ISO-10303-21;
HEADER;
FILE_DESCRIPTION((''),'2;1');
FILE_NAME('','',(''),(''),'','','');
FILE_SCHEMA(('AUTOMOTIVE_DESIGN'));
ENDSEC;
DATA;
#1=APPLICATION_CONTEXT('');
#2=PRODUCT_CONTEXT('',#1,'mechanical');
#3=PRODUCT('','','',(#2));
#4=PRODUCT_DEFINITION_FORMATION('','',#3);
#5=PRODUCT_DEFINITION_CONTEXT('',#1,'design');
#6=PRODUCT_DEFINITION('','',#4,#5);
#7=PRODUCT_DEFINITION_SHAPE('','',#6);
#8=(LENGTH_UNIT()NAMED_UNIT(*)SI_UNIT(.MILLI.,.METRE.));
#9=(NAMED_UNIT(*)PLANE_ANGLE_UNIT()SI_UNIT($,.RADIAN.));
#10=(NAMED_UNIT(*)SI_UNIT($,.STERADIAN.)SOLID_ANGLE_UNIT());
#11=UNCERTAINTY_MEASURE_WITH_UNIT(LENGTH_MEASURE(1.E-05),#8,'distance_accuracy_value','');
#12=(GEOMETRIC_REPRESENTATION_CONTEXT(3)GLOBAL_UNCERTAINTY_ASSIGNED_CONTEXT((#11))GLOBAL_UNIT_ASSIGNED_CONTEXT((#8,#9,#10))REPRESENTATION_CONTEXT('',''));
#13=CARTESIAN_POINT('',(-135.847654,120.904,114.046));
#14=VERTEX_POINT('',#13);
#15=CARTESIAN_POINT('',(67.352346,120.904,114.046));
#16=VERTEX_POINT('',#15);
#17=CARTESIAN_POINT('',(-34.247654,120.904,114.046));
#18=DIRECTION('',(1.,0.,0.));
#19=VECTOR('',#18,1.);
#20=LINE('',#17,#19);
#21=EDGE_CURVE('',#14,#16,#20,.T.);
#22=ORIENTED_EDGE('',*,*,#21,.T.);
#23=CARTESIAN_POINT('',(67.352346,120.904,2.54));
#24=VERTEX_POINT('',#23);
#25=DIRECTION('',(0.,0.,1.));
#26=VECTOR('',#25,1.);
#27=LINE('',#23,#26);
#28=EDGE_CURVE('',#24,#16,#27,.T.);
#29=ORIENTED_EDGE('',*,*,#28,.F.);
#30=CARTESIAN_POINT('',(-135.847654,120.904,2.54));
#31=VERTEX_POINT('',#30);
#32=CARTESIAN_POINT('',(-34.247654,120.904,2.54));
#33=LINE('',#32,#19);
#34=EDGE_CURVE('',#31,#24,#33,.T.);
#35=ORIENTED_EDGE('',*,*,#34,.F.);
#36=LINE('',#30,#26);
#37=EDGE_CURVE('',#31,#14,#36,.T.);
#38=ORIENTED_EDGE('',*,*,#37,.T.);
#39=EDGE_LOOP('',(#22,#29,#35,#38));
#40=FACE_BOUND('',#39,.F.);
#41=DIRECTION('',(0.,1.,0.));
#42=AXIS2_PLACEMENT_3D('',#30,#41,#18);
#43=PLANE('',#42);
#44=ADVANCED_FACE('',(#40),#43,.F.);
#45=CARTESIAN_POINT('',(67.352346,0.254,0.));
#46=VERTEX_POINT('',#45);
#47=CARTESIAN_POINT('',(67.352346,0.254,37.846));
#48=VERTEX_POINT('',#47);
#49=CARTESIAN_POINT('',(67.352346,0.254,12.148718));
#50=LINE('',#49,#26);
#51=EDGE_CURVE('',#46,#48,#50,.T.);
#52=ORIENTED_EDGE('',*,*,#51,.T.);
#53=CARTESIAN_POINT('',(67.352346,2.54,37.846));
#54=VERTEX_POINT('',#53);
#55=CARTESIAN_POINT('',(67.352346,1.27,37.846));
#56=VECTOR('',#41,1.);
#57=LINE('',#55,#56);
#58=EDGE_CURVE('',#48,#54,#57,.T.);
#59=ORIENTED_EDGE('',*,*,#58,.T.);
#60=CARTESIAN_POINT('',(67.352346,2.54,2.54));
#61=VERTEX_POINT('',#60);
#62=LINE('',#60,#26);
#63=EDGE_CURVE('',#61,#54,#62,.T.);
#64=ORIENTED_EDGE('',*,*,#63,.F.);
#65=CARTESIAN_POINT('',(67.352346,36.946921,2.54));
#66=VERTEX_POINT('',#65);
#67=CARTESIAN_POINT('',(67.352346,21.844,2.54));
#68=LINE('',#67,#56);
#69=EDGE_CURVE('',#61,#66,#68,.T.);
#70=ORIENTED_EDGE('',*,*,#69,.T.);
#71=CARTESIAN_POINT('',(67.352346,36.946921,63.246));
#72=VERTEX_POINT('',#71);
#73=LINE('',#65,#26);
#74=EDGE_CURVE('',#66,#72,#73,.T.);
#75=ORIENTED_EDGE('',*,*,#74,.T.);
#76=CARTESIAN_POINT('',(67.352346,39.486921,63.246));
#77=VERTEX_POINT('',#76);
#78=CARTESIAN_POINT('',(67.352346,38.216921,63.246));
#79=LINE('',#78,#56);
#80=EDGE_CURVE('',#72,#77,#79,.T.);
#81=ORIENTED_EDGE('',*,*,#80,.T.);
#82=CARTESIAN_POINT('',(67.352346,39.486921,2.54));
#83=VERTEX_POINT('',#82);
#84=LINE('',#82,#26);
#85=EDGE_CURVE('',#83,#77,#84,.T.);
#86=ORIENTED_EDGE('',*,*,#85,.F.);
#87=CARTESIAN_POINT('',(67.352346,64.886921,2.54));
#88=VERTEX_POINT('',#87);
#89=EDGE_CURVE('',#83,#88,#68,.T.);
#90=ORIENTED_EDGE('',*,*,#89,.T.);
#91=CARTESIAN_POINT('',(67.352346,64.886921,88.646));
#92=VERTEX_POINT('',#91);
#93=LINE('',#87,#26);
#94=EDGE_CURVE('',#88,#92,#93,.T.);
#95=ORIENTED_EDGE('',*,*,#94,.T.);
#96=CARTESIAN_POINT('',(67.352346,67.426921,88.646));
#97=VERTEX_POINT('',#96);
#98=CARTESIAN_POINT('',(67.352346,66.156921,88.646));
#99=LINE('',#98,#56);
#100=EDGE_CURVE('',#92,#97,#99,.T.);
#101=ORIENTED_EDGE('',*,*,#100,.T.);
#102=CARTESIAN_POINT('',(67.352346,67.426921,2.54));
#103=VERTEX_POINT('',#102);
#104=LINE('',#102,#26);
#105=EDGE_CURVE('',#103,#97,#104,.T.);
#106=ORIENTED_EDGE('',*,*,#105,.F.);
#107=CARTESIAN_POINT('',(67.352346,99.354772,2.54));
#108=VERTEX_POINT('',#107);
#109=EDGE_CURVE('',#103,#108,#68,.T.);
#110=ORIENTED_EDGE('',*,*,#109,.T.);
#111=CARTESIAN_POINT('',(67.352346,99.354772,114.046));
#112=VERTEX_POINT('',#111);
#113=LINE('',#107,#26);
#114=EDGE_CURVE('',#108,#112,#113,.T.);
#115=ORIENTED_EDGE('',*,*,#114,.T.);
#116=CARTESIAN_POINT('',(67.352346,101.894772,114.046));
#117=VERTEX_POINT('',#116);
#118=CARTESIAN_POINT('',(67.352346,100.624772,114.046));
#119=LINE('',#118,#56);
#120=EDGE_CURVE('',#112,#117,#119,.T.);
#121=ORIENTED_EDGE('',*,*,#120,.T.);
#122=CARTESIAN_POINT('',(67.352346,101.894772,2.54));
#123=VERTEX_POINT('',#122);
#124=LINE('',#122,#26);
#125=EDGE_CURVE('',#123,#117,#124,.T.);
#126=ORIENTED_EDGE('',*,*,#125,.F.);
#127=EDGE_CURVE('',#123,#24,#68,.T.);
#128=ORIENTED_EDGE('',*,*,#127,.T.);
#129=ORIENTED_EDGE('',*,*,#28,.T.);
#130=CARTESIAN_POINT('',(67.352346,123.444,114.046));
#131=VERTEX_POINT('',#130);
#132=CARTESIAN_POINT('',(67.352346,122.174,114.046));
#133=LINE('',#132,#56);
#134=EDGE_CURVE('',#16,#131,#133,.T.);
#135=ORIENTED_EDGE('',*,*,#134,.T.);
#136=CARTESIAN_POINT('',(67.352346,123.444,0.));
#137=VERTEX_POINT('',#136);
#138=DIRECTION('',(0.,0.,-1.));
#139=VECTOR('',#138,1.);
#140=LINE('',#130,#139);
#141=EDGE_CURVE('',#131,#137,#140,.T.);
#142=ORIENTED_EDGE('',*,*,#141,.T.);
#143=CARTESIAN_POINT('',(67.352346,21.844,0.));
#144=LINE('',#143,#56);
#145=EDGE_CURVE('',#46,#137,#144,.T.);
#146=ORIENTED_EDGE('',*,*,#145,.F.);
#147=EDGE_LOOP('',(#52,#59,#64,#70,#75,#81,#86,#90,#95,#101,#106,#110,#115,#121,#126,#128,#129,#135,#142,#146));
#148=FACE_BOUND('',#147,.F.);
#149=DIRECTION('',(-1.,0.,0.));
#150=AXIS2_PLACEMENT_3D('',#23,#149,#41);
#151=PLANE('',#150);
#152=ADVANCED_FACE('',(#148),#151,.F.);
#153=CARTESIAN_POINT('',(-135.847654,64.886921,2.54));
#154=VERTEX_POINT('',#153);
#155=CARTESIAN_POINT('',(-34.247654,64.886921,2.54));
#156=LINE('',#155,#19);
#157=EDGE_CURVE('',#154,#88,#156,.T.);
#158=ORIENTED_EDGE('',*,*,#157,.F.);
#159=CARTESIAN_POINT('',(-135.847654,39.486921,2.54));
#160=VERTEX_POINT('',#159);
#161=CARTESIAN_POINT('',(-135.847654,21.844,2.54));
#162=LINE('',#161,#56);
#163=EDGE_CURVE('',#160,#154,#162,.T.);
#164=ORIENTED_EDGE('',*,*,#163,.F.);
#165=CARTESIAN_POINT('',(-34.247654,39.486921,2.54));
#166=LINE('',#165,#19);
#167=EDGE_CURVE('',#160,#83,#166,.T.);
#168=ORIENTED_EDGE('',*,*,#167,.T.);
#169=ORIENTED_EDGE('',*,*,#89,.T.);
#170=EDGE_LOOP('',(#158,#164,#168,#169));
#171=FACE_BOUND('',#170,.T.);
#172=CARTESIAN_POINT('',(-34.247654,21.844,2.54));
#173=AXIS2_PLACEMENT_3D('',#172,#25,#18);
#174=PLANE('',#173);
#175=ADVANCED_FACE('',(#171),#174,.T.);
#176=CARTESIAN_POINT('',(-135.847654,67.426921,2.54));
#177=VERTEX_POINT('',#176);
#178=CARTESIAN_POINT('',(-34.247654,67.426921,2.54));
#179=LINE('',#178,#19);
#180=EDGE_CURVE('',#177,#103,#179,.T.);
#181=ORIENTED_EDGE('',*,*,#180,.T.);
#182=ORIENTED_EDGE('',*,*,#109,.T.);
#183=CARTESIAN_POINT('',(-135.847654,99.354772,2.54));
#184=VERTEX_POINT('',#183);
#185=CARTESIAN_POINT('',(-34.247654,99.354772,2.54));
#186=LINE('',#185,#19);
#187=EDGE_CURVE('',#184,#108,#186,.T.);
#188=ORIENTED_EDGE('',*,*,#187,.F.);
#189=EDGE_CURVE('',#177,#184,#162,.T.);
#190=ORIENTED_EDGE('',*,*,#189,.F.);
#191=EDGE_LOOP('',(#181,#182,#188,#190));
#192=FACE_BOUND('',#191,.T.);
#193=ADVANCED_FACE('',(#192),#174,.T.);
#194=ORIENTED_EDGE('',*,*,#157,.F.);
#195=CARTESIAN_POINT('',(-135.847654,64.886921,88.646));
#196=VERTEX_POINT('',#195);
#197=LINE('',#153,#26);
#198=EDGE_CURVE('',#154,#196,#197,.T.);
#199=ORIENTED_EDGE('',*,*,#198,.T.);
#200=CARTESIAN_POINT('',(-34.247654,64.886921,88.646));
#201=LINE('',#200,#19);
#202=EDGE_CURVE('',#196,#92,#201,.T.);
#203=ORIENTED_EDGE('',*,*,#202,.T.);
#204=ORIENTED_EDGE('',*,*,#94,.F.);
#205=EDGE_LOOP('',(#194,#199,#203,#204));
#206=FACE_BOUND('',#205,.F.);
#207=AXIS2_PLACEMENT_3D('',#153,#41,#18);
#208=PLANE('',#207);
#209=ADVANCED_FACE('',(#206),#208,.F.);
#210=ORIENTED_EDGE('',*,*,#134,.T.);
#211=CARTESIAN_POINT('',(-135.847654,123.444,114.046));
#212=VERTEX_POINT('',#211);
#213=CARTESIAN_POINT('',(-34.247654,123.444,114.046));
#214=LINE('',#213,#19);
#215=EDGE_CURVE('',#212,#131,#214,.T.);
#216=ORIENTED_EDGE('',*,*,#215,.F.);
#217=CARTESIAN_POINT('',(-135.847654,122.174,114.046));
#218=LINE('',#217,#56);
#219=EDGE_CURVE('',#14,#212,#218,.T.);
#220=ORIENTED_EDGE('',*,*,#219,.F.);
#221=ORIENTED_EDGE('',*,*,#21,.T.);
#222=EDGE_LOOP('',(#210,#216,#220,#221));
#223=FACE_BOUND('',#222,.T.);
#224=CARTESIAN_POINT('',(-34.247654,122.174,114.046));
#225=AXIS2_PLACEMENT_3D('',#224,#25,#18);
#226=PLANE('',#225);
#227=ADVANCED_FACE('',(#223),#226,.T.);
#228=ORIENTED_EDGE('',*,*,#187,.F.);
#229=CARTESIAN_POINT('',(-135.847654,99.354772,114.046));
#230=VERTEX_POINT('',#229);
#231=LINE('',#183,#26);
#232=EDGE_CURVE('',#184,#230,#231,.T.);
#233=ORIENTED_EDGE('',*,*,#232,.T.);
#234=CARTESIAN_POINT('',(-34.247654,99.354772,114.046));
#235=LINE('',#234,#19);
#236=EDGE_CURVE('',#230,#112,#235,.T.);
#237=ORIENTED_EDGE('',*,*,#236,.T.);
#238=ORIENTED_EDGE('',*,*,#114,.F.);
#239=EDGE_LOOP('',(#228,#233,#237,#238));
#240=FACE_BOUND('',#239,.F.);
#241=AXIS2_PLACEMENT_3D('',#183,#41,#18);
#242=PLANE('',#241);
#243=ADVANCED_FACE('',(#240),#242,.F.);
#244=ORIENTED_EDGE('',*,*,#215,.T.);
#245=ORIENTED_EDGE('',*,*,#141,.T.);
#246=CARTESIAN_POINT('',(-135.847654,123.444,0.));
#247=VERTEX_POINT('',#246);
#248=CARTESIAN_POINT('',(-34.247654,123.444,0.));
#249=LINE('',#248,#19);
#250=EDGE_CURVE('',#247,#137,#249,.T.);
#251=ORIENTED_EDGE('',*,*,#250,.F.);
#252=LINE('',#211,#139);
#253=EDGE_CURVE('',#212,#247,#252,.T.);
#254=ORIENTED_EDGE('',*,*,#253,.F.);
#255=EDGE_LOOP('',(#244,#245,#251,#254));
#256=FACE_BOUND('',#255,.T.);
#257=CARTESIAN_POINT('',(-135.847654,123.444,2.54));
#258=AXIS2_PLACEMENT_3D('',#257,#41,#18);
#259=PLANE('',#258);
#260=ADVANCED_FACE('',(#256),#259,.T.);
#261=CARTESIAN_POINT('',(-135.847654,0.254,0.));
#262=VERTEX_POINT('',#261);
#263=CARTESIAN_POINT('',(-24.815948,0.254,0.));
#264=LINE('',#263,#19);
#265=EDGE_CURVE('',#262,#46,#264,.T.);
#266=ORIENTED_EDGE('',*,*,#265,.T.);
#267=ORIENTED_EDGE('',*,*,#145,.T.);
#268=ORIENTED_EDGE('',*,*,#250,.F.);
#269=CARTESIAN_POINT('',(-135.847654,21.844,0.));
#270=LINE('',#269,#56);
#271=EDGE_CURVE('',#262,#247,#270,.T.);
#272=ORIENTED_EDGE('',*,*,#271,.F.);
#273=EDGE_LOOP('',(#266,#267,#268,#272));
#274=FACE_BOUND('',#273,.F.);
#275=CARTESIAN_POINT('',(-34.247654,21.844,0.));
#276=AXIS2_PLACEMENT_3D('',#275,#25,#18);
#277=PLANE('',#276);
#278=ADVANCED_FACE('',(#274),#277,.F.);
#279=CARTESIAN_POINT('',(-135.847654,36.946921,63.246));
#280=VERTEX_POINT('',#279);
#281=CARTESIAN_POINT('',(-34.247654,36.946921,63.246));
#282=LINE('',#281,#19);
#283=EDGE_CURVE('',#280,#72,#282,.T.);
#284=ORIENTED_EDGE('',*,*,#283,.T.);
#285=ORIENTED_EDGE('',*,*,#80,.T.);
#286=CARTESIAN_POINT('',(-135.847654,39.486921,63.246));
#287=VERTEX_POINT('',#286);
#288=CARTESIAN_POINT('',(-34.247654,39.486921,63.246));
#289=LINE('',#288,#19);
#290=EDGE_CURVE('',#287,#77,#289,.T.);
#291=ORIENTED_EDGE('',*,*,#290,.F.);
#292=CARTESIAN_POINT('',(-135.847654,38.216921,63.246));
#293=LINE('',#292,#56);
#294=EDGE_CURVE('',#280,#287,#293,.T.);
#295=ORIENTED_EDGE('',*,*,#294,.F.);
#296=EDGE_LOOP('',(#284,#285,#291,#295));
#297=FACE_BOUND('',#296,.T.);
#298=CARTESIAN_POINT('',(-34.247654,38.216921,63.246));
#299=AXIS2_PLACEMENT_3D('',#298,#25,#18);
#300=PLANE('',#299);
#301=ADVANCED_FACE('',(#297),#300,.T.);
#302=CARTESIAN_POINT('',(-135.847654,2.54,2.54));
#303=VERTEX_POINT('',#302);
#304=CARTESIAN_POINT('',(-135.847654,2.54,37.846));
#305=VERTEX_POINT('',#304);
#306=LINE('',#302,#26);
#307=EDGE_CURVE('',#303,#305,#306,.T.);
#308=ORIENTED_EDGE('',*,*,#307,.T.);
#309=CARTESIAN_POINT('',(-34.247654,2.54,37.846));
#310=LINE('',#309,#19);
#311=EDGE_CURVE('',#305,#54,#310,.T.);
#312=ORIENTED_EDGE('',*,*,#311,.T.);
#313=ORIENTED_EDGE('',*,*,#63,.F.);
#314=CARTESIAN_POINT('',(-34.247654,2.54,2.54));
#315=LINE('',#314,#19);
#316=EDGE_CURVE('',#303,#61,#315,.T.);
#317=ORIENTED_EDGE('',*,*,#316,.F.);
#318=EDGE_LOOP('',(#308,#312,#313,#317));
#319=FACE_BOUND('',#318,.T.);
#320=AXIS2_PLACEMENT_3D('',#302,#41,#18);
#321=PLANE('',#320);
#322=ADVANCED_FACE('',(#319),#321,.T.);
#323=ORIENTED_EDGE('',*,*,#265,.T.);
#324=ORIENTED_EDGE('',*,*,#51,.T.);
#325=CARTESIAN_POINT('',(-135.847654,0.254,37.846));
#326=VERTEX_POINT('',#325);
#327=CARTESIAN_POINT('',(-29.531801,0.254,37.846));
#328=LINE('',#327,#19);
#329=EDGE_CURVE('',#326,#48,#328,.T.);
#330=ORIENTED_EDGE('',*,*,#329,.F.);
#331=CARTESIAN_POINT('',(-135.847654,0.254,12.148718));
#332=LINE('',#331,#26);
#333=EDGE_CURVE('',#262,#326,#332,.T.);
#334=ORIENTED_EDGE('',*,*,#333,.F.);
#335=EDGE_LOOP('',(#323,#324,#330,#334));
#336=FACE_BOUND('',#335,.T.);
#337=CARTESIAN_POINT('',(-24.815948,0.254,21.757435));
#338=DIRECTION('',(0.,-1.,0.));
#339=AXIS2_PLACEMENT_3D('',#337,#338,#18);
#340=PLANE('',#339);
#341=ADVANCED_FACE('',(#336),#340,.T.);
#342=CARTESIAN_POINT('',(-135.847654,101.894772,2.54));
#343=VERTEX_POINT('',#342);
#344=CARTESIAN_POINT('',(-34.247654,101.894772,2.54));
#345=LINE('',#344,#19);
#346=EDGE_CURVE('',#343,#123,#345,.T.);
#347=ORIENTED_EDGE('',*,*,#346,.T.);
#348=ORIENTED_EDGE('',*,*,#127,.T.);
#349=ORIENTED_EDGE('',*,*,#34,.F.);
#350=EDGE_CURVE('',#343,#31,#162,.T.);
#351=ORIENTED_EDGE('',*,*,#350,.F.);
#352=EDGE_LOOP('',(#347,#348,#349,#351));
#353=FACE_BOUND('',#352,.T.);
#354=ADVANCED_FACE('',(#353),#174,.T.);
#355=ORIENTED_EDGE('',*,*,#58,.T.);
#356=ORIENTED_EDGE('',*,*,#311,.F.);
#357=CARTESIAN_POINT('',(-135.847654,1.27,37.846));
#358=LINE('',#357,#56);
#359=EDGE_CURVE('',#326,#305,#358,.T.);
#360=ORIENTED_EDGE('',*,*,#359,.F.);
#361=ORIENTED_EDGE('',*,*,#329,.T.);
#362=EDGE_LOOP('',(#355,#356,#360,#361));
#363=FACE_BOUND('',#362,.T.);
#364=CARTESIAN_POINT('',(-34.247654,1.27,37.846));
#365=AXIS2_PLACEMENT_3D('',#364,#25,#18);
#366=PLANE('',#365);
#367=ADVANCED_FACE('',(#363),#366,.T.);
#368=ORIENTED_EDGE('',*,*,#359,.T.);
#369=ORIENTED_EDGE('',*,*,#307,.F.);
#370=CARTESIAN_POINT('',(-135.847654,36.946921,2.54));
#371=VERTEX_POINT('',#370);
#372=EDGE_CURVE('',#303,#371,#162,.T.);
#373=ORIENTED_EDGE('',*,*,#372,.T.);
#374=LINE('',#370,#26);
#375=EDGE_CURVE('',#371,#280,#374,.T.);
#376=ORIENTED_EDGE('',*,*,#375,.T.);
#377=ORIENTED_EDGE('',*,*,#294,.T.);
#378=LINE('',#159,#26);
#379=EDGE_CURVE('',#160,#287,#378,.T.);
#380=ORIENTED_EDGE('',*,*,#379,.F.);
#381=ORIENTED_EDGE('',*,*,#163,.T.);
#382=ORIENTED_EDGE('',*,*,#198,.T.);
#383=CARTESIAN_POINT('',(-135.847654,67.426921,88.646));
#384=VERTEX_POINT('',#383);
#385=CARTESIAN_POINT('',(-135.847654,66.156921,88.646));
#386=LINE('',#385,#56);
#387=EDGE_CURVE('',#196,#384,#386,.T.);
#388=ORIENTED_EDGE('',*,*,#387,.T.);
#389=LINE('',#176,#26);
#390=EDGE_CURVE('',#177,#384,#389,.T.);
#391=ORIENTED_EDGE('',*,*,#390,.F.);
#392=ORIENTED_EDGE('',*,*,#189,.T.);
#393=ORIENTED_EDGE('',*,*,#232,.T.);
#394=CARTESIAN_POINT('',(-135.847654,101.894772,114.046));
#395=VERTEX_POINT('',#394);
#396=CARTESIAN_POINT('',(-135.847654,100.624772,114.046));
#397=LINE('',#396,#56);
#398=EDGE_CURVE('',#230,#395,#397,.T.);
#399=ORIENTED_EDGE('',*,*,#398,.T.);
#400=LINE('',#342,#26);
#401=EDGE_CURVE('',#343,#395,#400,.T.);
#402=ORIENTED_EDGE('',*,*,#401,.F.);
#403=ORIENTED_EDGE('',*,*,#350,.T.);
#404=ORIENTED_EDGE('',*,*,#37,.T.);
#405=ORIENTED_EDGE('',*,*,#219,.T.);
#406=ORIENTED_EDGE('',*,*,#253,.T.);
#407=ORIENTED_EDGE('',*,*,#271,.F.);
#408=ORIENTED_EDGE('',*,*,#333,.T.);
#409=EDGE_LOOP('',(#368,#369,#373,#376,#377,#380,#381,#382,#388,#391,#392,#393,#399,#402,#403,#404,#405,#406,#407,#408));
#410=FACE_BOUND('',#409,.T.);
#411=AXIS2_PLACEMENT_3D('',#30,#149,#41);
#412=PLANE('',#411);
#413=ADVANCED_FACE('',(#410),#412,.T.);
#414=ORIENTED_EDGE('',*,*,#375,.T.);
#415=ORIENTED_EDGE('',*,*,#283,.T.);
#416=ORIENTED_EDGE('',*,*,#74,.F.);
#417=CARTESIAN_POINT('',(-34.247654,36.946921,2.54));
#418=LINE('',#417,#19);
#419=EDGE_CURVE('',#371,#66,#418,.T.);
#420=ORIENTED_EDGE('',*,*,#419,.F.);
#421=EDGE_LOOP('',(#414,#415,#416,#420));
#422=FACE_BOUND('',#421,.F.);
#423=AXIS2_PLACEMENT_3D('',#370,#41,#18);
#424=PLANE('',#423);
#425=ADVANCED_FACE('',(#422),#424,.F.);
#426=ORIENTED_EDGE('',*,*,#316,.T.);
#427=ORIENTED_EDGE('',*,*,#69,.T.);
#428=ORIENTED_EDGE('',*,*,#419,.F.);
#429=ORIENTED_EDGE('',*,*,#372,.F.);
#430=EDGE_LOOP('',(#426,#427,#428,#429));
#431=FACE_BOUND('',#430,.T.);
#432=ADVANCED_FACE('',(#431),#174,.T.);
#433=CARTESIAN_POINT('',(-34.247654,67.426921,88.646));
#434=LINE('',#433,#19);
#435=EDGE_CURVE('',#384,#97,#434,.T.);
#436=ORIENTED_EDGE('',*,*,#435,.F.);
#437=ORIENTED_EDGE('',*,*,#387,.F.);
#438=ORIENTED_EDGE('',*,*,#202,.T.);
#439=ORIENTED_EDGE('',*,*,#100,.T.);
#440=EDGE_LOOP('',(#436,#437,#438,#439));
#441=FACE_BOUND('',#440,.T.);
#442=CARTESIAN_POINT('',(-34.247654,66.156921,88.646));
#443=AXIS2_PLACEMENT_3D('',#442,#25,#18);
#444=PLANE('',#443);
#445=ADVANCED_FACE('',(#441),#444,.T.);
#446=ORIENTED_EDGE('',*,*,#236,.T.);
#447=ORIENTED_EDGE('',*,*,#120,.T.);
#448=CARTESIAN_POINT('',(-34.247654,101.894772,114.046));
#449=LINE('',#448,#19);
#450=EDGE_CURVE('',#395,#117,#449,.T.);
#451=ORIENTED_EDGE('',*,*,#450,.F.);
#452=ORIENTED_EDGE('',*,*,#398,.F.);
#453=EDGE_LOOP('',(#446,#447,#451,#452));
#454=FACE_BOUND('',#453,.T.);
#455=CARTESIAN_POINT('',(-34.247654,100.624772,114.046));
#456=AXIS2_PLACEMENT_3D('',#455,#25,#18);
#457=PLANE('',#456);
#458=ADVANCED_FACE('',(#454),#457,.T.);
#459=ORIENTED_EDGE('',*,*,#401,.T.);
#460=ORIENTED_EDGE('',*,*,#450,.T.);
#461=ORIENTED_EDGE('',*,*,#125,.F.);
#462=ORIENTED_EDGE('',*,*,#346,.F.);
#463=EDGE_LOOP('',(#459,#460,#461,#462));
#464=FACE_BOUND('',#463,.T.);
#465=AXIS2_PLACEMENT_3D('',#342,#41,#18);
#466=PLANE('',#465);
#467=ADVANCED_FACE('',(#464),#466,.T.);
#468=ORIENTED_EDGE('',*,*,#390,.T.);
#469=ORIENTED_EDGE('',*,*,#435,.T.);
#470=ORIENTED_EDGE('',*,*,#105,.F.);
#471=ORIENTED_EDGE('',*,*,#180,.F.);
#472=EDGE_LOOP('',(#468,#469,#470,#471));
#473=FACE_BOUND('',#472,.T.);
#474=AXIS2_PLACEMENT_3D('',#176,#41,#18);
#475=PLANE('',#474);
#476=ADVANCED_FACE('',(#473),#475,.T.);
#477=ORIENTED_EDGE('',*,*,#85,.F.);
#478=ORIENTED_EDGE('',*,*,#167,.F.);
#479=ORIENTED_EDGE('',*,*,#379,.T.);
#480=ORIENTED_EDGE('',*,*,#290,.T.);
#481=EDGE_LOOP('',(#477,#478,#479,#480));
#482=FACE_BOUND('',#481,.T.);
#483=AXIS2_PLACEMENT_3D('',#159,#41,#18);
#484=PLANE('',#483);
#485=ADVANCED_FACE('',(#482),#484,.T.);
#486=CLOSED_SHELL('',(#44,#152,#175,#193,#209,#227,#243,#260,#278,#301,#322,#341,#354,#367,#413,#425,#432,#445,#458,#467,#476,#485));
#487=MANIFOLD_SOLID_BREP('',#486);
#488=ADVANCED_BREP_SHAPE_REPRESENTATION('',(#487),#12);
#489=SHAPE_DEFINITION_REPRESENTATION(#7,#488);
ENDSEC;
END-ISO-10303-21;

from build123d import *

# Parameters (mm, degrees)
SKETCH_W     = 203.2
SKETCH_H     = 203.2
PAD_DEPTH    = 2.54
SKETCH001_W  = 203.2
SKETCH001_H  = 2.54
PAD001_DEPTH = 111.506
SKETCH002_W  = 203.2
SKETCH002_H  = 2.54
PAD002_DEPTH = 86.106
SKETCH003_W  = 203.2
SKETCH003_H  = 2.54
PAD003_DEPTH = 60.706
SKETCH004_W  = 203.2
SKETCH004_H  = 2.54
PAD004_DEPTH = 35.306
SKETCH007_W  = 227.037744
SKETCH007_H  = 43.51487
POCKET_DEPTH = 80.01


with BuildPart() as part:
    # Sketch (on XY_Plane of Origin) → Pad (new body)
    with BuildSketch(Plane.XY):
        with Locations((-34.247654, 21.844)):
            Rectangle(SKETCH_W, SKETCH_H)
    extrude(amount=PAD_DEPTH)

    # Sketch001 (on Face6 of Pad) → Pad001 (join)
    with BuildSketch(Plane.XY.offset(2.54)):
        with Locations((-34.247654, 122.174)):
            Rectangle(SKETCH001_W, SKETCH001_H)
        with Locations((-34.247654, 100.624772)):
            Rectangle(SKETCH001_W, SKETCH001_H)
    extrude(amount=PAD001_DEPTH)

    # Sketch002 (on Face6 of Pad001) → Pad002 (join)
    with BuildSketch(Plane.XY.offset(2.54)):
        with Locations((-34.247654, 66.156921)):
            Rectangle(SKETCH002_W, SKETCH002_H)
    extrude(amount=PAD002_DEPTH)

    # Sketch003 (on Face11 of Pad002) → Pad003 (join)
    with BuildSketch(Plane.XY.offset(2.54)):
        with Locations((-34.247654, 38.216921)):
            Rectangle(SKETCH003_W, SKETCH003_H)
    extrude(amount=PAD003_DEPTH)

    # Sketch004 (on Face15 of Pad003) → Pad004 (join)
    with BuildSketch(Plane.XY.offset(2.54)):
        with Locations((-34.247654, 1.27)):
            Rectangle(SKETCH004_W, SKETCH004_H)
    extrude(amount=PAD004_DEPTH)

    # Sketch007 → Pocket (cut)
    with BuildSketch(Plane.XZ.offset(79.756)):
        with Locations((-24.815948, 21.757435)):
            Rectangle(SKETCH007_W, SKETCH007_H)
    extrude(amount=-POCKET_DEPTH, mode=Mode.SUBTRACT)


solid = part.part
